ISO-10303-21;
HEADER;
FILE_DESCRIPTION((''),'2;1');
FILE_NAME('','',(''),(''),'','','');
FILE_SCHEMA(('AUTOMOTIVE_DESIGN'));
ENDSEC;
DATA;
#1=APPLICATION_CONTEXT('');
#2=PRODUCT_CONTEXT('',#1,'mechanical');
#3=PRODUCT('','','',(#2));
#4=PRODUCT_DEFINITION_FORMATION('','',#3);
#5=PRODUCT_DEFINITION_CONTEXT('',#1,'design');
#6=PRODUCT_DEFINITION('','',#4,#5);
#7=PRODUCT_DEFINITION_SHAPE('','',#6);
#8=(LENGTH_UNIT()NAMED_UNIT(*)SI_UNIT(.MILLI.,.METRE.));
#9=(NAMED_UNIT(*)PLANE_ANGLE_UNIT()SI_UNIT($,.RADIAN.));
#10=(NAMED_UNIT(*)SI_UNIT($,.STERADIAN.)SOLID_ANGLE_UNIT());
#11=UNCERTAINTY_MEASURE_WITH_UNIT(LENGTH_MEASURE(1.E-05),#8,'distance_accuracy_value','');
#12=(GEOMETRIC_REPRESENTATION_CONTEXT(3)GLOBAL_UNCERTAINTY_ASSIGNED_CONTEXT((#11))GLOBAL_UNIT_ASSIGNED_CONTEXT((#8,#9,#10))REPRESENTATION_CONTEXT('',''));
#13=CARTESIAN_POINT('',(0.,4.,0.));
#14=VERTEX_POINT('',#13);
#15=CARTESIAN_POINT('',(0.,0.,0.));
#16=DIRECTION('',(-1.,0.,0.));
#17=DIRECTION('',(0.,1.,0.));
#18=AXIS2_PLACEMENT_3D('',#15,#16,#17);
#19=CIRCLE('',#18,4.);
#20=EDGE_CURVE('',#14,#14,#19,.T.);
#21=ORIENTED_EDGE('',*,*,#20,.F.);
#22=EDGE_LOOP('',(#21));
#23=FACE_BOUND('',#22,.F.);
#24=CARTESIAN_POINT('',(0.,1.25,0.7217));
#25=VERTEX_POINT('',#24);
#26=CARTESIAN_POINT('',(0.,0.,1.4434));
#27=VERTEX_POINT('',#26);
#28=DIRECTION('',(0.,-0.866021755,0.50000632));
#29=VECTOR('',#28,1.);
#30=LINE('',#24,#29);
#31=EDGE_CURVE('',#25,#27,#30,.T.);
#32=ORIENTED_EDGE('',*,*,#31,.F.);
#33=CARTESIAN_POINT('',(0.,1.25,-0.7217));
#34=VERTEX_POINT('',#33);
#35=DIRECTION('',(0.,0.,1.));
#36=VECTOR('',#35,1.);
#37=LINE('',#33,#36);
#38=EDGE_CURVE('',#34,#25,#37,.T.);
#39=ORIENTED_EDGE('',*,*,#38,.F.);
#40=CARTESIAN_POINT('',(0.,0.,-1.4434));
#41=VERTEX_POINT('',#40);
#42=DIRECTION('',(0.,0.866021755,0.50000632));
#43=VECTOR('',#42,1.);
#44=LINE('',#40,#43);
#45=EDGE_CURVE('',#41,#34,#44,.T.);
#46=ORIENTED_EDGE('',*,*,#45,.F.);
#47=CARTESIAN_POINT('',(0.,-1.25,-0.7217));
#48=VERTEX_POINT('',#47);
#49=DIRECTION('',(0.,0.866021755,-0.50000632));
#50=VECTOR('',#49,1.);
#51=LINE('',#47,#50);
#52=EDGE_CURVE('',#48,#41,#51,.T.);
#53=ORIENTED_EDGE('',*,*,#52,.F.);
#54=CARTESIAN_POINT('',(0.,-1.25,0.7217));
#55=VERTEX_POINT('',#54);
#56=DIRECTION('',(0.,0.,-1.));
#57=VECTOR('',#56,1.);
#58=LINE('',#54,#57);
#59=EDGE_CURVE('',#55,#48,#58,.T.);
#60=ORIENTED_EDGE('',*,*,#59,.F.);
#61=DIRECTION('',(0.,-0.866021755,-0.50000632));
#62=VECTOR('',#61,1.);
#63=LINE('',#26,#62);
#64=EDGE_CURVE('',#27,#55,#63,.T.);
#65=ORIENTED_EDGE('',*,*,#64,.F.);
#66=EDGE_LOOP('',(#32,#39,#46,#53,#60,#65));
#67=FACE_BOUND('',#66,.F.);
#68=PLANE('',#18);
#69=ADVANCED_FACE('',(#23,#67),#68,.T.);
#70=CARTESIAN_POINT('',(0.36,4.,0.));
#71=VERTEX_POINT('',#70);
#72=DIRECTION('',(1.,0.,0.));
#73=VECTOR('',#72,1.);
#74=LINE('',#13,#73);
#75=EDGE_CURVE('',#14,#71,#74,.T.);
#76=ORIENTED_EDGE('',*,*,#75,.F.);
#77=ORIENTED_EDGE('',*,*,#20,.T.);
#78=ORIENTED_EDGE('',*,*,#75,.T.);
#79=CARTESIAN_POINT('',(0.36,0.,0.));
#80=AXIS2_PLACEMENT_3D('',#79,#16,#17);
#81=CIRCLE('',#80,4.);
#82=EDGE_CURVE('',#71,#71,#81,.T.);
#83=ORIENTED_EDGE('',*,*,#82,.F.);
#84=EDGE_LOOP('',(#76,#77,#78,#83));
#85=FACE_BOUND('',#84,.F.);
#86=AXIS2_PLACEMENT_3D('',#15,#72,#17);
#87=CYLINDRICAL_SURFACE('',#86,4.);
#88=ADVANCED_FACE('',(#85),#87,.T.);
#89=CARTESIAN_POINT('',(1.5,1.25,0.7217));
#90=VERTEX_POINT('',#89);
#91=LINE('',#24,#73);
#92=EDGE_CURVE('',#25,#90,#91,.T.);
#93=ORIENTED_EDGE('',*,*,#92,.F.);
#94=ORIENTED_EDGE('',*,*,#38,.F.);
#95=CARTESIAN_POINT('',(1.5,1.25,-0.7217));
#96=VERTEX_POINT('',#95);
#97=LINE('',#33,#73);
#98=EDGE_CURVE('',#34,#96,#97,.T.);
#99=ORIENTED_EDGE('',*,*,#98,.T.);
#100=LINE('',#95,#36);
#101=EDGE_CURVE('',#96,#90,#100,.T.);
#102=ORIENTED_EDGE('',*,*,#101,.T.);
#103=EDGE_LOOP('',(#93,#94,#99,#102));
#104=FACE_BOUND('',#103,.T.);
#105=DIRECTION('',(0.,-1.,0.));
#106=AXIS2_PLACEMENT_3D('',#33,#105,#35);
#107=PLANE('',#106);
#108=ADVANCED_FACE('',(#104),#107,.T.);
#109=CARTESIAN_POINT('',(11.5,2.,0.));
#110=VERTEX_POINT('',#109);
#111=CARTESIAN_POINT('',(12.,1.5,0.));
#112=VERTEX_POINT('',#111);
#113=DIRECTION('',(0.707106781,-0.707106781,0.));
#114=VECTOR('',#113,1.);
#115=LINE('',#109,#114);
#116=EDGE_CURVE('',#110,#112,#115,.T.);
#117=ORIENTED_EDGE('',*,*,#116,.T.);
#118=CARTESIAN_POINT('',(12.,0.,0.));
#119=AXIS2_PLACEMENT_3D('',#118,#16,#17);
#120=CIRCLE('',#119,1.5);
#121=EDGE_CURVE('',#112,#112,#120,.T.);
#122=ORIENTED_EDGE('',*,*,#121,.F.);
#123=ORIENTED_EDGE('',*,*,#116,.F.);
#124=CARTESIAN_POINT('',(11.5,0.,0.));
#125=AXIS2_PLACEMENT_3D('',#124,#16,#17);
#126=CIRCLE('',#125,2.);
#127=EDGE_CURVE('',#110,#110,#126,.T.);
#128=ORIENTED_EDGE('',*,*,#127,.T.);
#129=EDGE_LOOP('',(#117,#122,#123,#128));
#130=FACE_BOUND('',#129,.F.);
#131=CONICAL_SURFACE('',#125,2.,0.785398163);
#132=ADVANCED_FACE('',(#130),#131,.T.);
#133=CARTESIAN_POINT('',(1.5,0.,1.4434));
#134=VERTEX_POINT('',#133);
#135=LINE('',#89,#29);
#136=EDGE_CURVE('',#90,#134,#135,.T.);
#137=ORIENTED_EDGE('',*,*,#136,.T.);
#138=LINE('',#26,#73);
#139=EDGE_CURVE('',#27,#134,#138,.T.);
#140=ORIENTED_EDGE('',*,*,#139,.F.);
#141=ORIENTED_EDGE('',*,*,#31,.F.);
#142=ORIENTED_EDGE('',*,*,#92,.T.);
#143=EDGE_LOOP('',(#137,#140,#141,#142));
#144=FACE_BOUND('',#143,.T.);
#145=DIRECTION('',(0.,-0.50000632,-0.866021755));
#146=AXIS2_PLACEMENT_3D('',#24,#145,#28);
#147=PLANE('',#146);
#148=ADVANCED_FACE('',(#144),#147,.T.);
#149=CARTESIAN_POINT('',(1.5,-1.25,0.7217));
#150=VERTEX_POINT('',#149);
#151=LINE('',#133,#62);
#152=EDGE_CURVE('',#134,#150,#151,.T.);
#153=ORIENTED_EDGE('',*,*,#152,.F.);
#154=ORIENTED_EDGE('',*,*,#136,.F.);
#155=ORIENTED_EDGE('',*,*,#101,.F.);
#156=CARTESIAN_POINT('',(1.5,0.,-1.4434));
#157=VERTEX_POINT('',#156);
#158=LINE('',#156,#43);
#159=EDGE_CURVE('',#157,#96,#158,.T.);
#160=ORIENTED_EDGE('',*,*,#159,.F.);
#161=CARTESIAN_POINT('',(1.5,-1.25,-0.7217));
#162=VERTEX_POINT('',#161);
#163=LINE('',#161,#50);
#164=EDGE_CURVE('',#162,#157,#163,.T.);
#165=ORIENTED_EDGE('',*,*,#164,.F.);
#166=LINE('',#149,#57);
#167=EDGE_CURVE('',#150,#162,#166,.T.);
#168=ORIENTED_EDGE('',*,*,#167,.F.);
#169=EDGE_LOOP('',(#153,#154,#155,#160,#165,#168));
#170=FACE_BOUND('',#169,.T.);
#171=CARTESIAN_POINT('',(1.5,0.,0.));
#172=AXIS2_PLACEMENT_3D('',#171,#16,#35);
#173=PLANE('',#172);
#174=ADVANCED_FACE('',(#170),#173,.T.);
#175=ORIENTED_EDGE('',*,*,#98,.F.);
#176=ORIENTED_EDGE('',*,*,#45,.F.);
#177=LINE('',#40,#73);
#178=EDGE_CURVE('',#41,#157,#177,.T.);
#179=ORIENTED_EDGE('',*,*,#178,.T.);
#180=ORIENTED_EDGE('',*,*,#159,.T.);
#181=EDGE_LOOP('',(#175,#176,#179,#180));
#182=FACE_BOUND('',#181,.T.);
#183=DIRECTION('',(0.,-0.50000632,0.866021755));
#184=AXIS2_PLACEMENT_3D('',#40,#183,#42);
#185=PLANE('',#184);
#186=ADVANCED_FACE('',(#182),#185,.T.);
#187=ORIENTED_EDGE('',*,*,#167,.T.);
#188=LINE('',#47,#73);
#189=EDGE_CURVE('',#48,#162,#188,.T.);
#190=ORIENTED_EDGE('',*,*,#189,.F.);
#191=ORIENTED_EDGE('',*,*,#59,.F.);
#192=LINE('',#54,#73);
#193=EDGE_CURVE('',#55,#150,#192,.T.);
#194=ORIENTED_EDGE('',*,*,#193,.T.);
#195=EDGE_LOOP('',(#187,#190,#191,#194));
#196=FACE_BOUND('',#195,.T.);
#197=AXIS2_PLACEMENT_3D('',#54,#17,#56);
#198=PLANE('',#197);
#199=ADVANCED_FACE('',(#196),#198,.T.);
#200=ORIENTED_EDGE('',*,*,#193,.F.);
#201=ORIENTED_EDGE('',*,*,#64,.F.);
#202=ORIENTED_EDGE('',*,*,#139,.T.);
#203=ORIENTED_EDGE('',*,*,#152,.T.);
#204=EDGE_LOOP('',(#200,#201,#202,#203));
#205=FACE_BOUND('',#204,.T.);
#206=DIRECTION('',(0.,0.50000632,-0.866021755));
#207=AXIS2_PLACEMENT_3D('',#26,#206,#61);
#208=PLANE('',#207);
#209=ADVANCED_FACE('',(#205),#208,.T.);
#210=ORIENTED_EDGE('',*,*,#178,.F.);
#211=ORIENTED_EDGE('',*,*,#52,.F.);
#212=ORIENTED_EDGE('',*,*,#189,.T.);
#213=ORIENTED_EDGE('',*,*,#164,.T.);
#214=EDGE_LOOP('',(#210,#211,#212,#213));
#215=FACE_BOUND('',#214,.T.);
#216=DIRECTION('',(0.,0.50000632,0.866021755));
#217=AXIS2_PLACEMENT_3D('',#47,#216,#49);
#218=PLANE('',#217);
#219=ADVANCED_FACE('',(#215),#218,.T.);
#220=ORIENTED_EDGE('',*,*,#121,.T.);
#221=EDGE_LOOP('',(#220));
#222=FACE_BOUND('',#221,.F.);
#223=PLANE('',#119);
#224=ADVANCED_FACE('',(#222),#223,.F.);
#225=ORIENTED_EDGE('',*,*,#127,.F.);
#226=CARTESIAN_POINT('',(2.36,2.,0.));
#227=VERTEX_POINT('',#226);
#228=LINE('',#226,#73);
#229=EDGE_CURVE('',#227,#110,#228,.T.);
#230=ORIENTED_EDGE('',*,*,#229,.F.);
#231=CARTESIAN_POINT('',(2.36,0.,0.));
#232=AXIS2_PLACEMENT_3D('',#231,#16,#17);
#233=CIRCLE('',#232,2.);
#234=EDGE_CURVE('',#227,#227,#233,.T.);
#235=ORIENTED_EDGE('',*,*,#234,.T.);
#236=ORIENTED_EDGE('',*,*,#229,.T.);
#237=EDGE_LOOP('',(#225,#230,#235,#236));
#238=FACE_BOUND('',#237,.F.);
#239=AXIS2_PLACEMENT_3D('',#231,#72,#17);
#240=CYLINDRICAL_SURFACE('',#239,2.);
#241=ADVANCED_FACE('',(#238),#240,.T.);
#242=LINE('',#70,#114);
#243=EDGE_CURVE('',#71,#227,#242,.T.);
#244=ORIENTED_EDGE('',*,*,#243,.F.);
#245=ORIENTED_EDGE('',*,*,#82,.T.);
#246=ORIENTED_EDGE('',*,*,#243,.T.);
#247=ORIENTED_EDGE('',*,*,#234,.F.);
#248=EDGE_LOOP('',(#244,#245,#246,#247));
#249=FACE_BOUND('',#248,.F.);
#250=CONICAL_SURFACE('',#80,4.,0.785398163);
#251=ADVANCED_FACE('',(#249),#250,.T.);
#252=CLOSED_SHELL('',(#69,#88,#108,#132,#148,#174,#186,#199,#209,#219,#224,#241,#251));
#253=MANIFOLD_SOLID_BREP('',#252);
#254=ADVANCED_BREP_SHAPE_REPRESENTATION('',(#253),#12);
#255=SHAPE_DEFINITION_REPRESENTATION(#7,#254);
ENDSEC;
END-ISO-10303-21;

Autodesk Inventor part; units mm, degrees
ref_plane "YZ Plane" through (0, 0, 0) normal (1, 0, 0) x (0, 1, 0)
ref_plane "XZ Plane" through (0, 0, 0) normal (0, 1, 0) x (-1, 0, 0)
ref_plane "XY Plane" through (0, 0, 0) normal (0, 0, 1) x (1, 0, 0)
sketch "Sketch1" plane through (0, 0, 0) normal (0, 0, 1) x (1, 0, 0)
  line L0 (0, 0) -> (0, 4)
  line L1 (0, 4) -> (0.36, 4)
  line L2 (0.36, 4) -> (2.36, 2)
  line L3 (2.36, 2) -> (12, 2)
  line L4 (12, 2) -> (12, 0)
  line L5 (12, 0) -> (0, 0)
  dimension "d0" = 4
  dimension "d1" = 0.36
  dimension "d2" = 135
  dimension "d3" = 12
  dimension "d4" = 2
revolve "Revolution1" add sketch "Sketch1" angle 360 about axis through (12, 0, 0) along (-1, 0, 0)
chamfer "Chamfer1" distance 0.5 angle 45 1 edges at (12, -2, 0)
sketch "Sketch2" plane through (0, 0, 0) normal (-1, 0, 0) x (0, 0, 1)
  circle A0 centre (0, 0) radius 4 projected
  line L0 (-1.4434, 0) -> (-0.7217, 1.25)
  line L1 (-0.7217, 1.25) -> (0.7217, 1.25)
  line L2 (0.7217, 1.25) -> (1.4434, 0)
  line L3 (1.4434, 0) -> (0.7217, -1.25)
  line L4 (0.7217, -1.25) -> (-0.7217, -1.25)
  line L5 (-0.7217, -1.25) -> (-1.4434, 0)
  dimension "d9" = 2.5
extrude "Extrusion1" cut sketch "Sketch2" against normal blind 1.5 contours L0 L1 L2 L3 L4 L5
thread "Thread1" size "M4x0.7" class "6g" standard "ANSI Metric M Profile" full length
properties part number "FHS4x12" material "Steel, Alloy"
